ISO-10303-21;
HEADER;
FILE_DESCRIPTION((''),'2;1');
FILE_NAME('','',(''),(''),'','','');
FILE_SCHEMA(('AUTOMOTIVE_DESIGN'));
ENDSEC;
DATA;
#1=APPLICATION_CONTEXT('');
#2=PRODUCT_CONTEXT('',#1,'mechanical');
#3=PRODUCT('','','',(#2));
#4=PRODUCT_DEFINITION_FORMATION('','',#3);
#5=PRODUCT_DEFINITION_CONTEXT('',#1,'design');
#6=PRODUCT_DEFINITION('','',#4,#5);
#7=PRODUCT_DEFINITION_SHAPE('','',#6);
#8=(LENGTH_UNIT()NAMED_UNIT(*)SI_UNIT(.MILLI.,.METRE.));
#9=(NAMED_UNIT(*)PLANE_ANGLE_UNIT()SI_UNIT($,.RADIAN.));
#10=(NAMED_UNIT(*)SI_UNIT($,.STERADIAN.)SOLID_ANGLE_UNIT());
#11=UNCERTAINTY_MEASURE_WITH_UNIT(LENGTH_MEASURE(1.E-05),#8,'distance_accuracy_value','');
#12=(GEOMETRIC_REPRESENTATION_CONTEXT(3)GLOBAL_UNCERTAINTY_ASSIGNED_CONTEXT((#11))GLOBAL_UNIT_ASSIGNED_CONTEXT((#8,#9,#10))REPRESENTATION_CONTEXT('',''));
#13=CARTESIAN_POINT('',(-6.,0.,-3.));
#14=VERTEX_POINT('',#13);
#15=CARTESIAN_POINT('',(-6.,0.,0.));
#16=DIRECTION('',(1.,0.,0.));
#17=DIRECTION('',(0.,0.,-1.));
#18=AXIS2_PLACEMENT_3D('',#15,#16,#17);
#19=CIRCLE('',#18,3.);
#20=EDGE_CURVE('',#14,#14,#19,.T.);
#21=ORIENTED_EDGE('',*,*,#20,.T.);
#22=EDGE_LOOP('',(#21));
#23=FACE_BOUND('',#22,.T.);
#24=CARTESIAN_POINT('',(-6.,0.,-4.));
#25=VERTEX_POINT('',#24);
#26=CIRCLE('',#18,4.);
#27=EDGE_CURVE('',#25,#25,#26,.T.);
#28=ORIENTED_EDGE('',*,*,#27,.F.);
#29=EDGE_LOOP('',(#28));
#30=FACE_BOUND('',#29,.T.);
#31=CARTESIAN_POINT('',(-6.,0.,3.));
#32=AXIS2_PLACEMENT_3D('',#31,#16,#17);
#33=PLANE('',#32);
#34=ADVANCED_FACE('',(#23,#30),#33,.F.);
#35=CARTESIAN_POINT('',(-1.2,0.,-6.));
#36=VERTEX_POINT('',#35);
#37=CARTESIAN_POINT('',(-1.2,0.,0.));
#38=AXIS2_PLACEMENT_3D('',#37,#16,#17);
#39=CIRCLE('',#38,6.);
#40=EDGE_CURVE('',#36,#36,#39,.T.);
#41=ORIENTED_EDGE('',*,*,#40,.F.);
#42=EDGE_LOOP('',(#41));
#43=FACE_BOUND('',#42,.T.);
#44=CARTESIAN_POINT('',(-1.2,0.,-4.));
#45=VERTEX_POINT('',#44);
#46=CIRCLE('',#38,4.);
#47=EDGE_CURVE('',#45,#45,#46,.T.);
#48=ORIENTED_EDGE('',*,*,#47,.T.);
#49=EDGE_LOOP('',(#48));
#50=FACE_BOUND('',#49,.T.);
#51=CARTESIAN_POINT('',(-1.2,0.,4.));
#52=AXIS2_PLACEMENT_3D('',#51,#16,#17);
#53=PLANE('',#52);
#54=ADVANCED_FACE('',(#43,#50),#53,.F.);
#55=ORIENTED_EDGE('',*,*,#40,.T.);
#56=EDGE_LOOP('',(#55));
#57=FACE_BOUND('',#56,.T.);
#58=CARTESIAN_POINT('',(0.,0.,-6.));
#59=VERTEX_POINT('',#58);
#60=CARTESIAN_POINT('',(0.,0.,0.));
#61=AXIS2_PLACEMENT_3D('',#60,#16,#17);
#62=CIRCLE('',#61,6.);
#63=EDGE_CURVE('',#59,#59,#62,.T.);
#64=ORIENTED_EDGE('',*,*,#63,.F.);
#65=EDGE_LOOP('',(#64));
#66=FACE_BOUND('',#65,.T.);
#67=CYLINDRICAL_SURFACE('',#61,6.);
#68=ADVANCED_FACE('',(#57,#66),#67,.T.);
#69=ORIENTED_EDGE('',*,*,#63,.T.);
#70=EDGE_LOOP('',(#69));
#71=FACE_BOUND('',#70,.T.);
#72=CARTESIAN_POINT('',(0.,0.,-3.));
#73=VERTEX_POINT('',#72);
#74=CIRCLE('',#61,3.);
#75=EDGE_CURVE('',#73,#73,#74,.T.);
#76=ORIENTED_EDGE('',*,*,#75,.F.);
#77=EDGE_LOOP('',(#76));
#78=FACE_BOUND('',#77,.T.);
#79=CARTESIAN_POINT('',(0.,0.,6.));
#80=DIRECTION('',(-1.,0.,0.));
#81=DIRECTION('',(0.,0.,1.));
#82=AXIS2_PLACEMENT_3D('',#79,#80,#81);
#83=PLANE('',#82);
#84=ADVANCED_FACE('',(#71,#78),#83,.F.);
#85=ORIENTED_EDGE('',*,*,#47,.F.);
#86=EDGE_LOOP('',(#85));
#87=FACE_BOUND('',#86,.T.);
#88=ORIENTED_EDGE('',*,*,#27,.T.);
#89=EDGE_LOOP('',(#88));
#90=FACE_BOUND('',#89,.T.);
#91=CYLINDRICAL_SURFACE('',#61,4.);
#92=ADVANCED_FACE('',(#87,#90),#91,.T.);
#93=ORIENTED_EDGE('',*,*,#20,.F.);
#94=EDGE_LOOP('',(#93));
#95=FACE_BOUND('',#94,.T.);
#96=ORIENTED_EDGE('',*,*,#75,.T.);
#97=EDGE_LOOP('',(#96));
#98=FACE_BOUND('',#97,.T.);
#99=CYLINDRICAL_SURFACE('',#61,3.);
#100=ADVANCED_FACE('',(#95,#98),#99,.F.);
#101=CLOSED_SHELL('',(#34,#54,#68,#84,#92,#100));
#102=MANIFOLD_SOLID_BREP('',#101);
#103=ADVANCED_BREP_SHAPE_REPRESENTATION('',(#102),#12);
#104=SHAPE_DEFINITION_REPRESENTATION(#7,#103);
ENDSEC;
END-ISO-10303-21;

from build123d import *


with BuildPart() as part:
    # Croquis1 → Revolución1 (revolve)
    with BuildSketch(Plane(origin=(0, 0, 0), x_dir=(-1, 0, 0), z_dir=(0, 1, 0)), mode=Mode.PRIVATE) as revoluci_n1_sk:
        Polygon((0, 6), (0, 3), (6, 3), (6, 4), (1.2, 4), (1.2, 6), align=None)
    revolve(revoluci_n1_sk.sketch.rotate(Axis((0, 0, 0), (-1, 0, 0)), 180), axis=Axis((0, 0, 0), (-1, 0, 0)))


solid = part.part
